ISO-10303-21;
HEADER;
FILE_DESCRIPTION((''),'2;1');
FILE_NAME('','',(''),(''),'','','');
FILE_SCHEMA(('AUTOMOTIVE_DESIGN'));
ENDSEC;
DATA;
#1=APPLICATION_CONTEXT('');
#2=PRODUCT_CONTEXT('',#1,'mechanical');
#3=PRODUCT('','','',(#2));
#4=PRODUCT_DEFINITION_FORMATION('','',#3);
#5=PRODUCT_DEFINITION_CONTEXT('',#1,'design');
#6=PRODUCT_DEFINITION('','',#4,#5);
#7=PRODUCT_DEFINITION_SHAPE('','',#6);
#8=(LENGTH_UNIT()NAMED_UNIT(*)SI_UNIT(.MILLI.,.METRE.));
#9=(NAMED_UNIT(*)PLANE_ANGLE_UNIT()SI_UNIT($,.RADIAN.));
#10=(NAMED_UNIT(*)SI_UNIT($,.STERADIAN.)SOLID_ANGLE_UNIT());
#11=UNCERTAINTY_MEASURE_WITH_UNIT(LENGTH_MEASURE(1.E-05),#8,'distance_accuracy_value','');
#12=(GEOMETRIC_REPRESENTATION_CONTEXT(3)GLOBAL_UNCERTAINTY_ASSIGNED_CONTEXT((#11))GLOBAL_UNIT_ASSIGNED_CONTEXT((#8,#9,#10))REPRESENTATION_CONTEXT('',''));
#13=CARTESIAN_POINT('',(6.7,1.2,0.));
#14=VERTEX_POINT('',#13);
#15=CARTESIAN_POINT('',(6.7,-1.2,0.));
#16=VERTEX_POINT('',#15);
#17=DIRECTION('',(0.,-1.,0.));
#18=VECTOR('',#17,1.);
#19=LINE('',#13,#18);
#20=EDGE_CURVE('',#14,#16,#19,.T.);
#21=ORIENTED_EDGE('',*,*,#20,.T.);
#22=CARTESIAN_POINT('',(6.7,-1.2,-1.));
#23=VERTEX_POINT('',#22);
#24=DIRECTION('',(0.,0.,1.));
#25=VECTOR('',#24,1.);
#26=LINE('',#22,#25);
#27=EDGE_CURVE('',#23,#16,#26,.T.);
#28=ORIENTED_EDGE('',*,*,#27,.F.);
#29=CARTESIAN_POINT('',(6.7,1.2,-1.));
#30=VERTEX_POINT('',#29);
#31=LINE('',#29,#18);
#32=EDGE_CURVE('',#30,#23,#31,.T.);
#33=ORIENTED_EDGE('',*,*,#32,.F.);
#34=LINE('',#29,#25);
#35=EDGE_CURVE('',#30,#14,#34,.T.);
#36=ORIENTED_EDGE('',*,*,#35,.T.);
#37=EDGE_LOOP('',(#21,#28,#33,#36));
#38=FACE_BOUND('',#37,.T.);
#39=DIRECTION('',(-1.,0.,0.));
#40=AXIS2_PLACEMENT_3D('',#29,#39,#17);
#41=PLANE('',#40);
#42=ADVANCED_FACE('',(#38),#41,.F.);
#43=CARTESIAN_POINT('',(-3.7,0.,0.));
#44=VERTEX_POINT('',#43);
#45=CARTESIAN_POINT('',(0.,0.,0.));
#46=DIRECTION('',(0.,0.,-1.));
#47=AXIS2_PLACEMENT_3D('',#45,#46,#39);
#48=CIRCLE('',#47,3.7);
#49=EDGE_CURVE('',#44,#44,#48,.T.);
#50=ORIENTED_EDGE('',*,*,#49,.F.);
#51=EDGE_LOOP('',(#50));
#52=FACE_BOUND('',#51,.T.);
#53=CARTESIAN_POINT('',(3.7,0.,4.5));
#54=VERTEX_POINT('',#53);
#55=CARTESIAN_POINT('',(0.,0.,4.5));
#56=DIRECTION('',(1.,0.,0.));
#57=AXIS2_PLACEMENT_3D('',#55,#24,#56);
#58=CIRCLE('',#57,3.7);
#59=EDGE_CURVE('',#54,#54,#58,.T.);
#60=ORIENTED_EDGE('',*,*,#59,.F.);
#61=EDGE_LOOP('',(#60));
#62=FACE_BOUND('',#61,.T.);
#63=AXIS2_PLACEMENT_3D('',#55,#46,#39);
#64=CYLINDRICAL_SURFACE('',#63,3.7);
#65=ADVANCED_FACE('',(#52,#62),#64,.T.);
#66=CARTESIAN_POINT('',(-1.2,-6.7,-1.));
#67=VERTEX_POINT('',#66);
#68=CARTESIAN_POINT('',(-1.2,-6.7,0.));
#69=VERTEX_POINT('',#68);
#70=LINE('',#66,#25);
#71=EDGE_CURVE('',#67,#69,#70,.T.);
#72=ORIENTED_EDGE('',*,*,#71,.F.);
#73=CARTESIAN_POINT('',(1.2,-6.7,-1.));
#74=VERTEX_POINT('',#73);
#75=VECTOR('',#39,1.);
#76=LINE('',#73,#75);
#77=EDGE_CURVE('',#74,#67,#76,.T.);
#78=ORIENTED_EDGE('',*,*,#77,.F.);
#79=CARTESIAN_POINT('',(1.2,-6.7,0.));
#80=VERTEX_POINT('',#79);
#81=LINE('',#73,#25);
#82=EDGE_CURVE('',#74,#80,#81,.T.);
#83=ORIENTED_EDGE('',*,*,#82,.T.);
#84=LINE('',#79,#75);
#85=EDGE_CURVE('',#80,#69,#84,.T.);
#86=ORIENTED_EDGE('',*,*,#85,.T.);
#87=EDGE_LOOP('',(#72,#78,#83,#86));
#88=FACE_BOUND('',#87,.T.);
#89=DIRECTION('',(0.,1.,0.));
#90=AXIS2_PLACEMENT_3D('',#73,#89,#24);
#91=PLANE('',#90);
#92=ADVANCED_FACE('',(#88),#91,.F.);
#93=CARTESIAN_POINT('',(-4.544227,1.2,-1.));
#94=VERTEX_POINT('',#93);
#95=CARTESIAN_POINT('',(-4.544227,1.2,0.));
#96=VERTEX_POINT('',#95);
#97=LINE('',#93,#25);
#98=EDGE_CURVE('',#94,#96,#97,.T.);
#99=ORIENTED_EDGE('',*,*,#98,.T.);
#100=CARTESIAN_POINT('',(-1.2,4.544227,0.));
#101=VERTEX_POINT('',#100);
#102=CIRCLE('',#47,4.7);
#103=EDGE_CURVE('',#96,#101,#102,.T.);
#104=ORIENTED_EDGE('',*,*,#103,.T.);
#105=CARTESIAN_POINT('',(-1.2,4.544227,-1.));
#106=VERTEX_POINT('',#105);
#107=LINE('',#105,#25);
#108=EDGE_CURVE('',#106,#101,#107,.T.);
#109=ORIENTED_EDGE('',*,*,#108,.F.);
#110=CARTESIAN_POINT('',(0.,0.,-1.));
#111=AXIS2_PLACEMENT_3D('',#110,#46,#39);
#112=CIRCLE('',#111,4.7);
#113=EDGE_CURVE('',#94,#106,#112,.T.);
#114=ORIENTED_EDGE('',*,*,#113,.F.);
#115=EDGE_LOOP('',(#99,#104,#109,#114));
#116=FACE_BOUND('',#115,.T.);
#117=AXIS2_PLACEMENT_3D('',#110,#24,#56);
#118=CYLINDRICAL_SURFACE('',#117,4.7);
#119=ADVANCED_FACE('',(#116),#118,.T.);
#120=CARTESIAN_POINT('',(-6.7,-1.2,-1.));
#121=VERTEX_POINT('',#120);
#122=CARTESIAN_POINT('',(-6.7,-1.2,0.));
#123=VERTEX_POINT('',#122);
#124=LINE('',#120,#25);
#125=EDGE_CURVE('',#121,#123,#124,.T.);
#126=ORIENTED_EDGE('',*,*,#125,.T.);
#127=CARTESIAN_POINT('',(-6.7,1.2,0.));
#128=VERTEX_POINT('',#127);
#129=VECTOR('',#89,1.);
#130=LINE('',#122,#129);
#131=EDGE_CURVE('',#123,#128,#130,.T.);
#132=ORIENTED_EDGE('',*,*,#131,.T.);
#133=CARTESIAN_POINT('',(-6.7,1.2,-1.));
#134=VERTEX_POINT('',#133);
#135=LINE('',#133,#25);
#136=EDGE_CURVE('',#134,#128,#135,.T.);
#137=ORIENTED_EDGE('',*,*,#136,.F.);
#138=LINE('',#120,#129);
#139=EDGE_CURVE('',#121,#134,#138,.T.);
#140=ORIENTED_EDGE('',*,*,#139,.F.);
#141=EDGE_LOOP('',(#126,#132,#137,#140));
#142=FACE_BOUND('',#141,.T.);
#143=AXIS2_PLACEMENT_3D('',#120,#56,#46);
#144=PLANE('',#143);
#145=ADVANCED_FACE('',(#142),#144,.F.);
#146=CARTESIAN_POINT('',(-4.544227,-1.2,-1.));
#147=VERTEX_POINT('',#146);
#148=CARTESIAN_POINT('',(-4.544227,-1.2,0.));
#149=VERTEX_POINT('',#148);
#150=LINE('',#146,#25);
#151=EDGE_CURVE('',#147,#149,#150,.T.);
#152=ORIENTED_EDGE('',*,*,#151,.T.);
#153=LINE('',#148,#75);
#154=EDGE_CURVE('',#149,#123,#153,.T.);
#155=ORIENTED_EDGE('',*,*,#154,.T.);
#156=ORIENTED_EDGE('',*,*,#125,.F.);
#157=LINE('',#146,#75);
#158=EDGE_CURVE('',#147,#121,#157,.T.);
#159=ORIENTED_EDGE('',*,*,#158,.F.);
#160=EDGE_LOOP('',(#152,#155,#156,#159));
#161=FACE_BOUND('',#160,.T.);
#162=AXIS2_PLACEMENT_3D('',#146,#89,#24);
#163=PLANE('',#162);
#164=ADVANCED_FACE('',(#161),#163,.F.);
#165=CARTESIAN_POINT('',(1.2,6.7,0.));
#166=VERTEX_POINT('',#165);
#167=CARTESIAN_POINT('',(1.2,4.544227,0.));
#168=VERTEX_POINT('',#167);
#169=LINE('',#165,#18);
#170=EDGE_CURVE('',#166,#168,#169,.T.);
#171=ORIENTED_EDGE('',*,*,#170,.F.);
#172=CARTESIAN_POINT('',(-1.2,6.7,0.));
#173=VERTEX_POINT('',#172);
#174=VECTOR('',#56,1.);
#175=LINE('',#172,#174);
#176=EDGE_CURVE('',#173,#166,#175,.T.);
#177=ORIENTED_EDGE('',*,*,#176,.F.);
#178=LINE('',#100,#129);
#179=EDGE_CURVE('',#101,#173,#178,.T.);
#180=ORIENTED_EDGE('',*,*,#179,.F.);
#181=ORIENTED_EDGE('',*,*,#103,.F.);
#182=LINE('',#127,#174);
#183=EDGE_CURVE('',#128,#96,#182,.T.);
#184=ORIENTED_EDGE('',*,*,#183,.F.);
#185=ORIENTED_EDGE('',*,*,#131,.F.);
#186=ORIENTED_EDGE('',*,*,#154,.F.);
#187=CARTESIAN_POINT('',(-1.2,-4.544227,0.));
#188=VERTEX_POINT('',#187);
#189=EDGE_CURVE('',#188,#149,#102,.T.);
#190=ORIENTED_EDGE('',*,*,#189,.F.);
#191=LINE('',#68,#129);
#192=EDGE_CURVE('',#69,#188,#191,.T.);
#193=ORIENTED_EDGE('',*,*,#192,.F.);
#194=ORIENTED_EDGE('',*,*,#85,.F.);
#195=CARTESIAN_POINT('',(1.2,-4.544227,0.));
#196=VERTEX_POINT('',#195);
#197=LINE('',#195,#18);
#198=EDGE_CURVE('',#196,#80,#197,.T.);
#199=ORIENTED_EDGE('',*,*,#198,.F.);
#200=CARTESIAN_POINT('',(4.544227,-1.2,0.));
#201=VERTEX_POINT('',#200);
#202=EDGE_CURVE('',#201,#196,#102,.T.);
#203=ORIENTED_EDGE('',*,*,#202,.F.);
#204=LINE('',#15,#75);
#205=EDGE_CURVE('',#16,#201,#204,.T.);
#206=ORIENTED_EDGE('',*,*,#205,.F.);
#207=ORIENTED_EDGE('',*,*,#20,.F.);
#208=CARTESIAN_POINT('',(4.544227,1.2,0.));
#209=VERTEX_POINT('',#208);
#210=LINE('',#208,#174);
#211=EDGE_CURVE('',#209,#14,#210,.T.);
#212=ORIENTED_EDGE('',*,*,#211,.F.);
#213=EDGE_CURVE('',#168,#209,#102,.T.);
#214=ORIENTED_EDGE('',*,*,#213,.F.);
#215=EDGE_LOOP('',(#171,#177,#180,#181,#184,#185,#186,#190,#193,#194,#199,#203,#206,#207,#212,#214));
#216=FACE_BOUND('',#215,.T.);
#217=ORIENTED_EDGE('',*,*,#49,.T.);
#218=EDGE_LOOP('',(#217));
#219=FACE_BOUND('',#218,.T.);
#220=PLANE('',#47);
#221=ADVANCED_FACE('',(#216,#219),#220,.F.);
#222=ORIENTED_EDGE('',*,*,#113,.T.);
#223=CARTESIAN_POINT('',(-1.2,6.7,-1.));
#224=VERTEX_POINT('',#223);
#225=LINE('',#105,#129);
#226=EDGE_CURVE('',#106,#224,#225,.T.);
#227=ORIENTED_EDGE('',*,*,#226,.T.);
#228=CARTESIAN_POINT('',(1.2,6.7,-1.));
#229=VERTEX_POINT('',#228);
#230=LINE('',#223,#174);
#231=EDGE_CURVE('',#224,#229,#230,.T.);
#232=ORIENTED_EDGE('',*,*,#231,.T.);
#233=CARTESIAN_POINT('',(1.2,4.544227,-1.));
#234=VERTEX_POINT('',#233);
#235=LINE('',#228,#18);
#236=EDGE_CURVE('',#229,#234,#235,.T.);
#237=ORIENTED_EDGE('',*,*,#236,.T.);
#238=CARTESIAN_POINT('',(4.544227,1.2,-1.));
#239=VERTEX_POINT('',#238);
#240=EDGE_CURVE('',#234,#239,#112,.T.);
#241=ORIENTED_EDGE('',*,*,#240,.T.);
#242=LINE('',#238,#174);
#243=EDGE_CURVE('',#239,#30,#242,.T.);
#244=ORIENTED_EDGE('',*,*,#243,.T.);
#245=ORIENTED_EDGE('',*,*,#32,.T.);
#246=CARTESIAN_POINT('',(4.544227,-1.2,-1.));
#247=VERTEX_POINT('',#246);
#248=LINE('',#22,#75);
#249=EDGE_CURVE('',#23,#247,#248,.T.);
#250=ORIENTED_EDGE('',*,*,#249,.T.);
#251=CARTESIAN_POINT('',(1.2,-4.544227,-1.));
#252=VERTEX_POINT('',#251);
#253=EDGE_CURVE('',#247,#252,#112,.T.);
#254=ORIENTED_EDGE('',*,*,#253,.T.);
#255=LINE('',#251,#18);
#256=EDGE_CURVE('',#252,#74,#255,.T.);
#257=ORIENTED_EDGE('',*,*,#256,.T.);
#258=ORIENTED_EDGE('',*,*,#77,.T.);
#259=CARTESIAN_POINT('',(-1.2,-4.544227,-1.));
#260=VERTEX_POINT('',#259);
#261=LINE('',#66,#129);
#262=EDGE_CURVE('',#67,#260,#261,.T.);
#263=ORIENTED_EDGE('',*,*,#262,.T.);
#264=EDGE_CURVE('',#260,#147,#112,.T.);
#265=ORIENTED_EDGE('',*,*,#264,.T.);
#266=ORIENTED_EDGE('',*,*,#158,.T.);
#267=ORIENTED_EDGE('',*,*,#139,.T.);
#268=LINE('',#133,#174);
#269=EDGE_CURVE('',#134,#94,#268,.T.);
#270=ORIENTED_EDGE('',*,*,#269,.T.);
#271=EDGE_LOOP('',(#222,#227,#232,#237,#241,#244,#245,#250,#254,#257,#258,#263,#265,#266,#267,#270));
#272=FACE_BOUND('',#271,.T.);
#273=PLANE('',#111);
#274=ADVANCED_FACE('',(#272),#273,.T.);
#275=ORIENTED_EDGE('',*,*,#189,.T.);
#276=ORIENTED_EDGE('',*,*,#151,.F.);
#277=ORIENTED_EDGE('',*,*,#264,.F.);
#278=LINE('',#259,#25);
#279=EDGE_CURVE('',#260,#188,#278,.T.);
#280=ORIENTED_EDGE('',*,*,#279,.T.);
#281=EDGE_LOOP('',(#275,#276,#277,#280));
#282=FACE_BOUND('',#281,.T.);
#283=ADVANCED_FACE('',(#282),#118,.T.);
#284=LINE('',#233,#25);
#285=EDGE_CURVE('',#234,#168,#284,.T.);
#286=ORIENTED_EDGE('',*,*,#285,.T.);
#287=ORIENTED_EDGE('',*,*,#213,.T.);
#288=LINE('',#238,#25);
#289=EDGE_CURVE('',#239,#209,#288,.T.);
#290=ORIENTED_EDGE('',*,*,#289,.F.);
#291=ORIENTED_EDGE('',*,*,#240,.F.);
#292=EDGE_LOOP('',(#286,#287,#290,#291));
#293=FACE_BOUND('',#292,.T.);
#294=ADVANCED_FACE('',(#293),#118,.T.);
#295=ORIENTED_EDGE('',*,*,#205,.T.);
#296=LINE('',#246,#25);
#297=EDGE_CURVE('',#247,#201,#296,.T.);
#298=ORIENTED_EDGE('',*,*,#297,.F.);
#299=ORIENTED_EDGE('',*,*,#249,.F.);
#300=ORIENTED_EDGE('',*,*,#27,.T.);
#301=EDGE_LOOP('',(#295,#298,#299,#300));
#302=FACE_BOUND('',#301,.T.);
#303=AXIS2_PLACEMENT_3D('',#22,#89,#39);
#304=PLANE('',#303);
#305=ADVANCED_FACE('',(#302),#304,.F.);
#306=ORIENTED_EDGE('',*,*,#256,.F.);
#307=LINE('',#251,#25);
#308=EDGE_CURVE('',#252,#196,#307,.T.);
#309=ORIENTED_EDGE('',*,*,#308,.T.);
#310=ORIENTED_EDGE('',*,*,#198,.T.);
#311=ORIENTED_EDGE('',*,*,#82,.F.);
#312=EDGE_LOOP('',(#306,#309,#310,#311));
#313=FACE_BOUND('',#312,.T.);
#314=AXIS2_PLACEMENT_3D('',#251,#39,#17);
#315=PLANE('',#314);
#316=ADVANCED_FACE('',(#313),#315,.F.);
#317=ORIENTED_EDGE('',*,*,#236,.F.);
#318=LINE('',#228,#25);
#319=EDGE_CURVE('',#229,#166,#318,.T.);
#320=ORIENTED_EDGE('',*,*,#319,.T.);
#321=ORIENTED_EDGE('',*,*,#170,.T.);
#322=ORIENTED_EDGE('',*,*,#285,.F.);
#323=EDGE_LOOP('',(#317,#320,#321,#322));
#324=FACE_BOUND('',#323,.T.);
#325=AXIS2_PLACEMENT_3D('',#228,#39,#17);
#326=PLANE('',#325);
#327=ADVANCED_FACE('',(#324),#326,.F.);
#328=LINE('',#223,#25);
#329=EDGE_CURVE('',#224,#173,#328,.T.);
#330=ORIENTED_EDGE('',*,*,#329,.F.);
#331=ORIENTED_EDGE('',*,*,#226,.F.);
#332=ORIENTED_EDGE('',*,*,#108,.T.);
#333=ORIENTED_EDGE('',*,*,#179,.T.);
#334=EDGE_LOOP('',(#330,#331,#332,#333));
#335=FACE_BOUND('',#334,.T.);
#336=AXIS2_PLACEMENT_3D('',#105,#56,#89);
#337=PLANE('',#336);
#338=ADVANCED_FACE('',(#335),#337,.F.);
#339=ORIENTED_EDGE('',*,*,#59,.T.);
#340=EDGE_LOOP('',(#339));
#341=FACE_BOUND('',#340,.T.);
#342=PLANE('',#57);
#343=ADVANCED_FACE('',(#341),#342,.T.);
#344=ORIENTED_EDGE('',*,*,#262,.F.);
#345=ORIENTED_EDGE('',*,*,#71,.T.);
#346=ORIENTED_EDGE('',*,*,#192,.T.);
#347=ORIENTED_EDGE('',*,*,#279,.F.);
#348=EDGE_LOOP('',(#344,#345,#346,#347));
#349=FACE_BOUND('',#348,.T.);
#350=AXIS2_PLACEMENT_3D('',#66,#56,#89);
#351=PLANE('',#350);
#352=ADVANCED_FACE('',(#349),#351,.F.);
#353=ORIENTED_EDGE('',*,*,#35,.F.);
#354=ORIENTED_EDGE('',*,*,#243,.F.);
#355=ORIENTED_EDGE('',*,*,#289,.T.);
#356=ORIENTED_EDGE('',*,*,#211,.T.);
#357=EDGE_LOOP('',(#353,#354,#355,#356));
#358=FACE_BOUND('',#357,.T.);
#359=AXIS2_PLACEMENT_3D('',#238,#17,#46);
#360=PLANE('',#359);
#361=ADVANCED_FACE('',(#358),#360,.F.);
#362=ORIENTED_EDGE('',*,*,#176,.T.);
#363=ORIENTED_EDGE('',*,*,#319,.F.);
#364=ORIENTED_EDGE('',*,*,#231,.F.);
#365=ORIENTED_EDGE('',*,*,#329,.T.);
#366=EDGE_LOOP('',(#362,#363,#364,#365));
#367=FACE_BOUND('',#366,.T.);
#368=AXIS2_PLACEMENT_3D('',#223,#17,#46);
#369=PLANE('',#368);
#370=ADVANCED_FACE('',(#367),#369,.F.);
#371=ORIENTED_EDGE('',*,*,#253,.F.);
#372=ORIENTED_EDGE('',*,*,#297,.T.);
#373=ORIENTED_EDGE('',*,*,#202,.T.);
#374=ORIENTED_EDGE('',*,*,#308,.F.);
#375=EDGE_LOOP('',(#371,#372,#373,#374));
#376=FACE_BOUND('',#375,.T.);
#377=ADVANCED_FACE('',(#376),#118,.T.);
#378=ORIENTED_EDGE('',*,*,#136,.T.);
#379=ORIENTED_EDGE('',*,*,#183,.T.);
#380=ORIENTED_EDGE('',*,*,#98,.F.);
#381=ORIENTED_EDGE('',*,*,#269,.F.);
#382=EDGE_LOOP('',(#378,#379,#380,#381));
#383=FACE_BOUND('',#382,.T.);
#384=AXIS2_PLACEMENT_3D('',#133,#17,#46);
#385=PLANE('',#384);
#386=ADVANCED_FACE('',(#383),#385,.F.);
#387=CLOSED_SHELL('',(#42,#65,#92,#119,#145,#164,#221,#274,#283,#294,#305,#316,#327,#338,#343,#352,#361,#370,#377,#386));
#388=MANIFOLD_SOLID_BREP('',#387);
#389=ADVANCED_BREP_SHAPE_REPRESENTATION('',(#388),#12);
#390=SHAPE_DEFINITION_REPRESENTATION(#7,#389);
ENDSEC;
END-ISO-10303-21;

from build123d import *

# Parameters (mm, degrees)
SKETCH1_R           = 3.7
BOSS_EXTRUDE1_DEPTH = 4.5
BOSS_EXTRUDE2_DEPTH = 1


with BuildPart() as part:
    # Sketch1 → Boss-Extrude1 (new body)
    with BuildSketch(Plane.XY):
        Circle(SKETCH1_R)
    extrude(amount=BOSS_EXTRUDE1_DEPTH)

    # Sketch2 → Boss-Extrude2 (add)
    with BuildSketch(Plane(origin=(0, 0, 0), x_dir=(-1, 0, 0), z_dir=(0, 0, -1))):
        with BuildLine():
            Line((-1.2, 6.7), (-1.2, 4.544227107))
            ThreePointArc((-1.2, 4.544227107), (-3.323401872, 3.323401872), (-4.544227107, 1.2))
            Line((-4.544227107, 1.2), (-6.7, 1.2))
            Line((-6.7, 1.2), (-6.7, -1.2))
            Line((-6.7, -1.2), (-4.544227107, -1.2))
            ThreePointArc((-4.544227107, -1.2), (-3.323401872, -3.323401872), (-1.2, -4.544227107))
            Line((-1.2, -4.544227107), (-1.2, -6.7))
            Line((-1.2, -6.7), (1.2, -6.7))
            Line((1.2, -6.7), (1.2, -4.544227107))
            ThreePointArc((1.2, -4.544227107), (3.323401872, -3.323401872), (4.544227107, -1.2))
            Line((4.544227107, -1.2), (6.7, -1.2))
            Line((6.7, -1.2), (6.7, 1.2))
            Line((6.7, 1.2), (4.544227107, 1.2))
            ThreePointArc((4.544227107, 1.2), (3.323401872, 3.323401872), (1.2, 4.544227107))
            Line((1.2, 4.544227107), (1.2, 6.7))
            Line((1.2, 6.7), (-1.2, 6.7))
        make_face()
    extrude(amount=BOSS_EXTRUDE2_DEPTH)


solid = part.part
